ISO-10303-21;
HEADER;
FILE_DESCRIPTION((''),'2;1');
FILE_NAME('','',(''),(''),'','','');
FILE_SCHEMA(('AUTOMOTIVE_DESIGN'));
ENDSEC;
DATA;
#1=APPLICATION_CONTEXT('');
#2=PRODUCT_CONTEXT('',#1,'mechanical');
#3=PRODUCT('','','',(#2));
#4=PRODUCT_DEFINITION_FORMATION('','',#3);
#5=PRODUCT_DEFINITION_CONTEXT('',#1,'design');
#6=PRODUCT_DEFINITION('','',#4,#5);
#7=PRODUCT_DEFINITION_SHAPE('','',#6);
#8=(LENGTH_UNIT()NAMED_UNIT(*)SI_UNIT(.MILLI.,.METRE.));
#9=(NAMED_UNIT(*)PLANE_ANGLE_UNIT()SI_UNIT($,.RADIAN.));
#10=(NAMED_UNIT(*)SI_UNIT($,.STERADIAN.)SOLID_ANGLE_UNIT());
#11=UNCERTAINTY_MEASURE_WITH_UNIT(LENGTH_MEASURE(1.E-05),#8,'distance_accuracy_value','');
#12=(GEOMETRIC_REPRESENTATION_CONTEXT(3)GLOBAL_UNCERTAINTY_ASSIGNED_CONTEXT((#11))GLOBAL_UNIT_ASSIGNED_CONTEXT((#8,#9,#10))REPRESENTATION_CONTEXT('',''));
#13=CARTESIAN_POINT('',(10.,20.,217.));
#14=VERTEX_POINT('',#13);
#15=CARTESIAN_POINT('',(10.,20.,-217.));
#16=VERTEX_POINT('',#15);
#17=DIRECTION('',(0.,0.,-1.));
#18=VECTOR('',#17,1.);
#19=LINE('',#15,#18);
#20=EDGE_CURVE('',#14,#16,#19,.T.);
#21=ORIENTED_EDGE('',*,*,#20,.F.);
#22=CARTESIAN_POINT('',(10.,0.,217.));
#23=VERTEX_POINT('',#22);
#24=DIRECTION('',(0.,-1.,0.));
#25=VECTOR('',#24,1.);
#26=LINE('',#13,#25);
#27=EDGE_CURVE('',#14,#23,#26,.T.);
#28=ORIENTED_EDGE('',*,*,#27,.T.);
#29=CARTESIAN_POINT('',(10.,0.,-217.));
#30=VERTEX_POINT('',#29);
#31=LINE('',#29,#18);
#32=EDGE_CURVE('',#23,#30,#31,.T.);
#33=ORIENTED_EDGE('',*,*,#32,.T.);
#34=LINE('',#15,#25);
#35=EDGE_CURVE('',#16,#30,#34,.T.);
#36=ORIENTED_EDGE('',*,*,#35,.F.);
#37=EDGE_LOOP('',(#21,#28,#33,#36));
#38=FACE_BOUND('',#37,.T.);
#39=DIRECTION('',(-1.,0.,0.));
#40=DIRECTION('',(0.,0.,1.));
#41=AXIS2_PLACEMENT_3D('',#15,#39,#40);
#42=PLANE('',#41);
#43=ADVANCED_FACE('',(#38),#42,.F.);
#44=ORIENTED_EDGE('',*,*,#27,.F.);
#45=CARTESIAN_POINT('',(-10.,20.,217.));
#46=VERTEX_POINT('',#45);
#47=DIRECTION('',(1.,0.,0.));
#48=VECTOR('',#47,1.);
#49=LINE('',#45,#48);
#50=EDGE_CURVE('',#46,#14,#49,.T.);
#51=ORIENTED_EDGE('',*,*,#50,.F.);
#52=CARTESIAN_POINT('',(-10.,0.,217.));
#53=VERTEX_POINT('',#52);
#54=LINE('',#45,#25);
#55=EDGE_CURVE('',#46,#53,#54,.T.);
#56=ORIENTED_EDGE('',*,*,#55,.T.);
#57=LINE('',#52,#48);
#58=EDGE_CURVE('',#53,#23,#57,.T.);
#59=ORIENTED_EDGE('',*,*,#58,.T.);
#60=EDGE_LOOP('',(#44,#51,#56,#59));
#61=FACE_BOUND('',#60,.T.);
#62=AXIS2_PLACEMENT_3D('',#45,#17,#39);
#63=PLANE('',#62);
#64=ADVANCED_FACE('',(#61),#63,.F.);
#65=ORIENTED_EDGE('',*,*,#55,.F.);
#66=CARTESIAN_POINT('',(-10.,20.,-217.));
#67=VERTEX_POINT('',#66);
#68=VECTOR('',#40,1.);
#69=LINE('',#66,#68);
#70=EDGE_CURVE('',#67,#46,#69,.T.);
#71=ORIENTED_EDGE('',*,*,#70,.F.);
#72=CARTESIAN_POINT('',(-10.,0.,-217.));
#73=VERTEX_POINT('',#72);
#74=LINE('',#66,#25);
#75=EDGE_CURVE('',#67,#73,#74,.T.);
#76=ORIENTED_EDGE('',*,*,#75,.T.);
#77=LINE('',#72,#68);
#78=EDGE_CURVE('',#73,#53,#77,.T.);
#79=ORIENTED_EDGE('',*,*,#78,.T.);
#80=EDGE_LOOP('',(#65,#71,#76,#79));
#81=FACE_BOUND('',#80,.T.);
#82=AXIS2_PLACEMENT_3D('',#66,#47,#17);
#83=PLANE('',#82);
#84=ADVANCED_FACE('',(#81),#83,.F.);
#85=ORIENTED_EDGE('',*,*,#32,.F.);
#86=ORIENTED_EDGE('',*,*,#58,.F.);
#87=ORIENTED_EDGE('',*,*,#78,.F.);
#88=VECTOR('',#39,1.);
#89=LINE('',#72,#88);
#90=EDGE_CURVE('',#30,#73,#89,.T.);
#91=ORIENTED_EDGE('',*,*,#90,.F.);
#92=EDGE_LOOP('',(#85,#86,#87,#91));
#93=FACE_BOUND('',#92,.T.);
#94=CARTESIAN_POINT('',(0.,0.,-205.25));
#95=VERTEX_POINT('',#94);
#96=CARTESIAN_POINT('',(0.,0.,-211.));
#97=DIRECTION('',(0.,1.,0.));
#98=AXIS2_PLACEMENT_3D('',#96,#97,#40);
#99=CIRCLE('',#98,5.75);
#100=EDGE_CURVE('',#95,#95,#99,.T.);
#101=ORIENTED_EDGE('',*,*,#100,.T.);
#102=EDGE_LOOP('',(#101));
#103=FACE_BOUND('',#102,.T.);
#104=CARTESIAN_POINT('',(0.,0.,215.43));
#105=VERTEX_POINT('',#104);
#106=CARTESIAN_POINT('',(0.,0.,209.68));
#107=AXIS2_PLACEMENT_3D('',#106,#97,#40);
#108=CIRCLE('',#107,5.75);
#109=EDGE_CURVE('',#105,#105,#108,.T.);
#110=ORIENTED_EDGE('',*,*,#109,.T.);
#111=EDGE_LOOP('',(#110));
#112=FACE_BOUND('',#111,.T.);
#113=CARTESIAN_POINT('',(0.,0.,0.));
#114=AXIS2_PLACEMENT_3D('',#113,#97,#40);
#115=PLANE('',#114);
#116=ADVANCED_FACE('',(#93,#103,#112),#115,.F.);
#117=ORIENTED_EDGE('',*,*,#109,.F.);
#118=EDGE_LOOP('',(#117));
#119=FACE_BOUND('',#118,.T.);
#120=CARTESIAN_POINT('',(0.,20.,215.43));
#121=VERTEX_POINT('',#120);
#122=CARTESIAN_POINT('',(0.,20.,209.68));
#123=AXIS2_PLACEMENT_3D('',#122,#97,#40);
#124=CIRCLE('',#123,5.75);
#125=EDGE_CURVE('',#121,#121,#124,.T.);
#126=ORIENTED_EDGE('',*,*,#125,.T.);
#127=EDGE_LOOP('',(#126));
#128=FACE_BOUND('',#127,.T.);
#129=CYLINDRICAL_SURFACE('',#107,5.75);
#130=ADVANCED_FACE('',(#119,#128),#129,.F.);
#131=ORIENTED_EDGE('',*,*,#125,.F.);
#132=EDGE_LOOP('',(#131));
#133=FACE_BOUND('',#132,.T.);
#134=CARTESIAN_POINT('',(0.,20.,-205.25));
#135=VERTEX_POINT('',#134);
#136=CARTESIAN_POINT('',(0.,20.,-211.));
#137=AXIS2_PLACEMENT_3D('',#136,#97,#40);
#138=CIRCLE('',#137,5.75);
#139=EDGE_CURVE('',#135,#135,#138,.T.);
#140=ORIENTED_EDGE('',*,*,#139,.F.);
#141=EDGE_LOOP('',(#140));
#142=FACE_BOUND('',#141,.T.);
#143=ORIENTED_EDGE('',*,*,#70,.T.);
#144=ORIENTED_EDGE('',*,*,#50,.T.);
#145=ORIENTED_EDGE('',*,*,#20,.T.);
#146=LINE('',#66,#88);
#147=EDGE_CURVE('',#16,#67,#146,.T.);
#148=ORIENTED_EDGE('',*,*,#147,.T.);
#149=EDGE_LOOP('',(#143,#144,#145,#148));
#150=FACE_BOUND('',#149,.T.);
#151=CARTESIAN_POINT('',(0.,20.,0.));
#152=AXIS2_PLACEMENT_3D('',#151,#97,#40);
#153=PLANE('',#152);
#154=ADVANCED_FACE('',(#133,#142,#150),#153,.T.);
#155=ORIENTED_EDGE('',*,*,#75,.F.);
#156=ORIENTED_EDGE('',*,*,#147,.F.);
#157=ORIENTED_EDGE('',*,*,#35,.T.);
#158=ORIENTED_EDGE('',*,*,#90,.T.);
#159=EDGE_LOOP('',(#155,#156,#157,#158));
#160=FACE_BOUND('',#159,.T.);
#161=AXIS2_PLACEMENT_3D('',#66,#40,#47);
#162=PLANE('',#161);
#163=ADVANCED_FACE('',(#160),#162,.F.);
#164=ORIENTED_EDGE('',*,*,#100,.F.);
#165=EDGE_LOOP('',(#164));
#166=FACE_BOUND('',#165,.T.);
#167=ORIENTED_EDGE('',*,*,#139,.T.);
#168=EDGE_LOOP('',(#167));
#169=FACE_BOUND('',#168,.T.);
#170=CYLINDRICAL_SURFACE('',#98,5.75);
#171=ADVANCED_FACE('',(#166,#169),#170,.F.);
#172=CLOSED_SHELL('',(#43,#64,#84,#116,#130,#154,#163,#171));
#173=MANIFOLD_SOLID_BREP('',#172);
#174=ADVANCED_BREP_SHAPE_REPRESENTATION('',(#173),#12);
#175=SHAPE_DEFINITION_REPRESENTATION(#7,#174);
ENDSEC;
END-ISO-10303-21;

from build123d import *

# Parameters (mm, degrees)
SKETCH1_W           = 20
SKETCH1_H           = 434
BOSS_EXTRUDE1_DEPTH = 20
SKETCH3_R           = 5.75
CUT_EXTRUDE1_DEPTH  = 21


with BuildPart() as part:
    # Sketch1 → Boss-Extrude1 (new body)
    with BuildSketch(Plane(origin=(0, 0, 0), x_dir=(1, 0, 0), z_dir=(0, 1, 0))):
        Rectangle(SKETCH1_W, SKETCH1_H)
    extrude(amount=BOSS_EXTRUDE1_DEPTH)

    # Sketch3 → Cut-Extrude1 (cut, through all)
    with BuildSketch(Plane(origin=(0, 20, 0), x_dir=(1, 0, 0), z_dir=(0, 1, 0))):
        with Locations((0, 211)):
            Circle(SKETCH3_R)
        with Locations((0, -209.68)):
            Circle(SKETCH3_R)
    extrude(amount=-CUT_EXTRUDE1_DEPTH, mode=Mode.SUBTRACT)


solid = part.part
